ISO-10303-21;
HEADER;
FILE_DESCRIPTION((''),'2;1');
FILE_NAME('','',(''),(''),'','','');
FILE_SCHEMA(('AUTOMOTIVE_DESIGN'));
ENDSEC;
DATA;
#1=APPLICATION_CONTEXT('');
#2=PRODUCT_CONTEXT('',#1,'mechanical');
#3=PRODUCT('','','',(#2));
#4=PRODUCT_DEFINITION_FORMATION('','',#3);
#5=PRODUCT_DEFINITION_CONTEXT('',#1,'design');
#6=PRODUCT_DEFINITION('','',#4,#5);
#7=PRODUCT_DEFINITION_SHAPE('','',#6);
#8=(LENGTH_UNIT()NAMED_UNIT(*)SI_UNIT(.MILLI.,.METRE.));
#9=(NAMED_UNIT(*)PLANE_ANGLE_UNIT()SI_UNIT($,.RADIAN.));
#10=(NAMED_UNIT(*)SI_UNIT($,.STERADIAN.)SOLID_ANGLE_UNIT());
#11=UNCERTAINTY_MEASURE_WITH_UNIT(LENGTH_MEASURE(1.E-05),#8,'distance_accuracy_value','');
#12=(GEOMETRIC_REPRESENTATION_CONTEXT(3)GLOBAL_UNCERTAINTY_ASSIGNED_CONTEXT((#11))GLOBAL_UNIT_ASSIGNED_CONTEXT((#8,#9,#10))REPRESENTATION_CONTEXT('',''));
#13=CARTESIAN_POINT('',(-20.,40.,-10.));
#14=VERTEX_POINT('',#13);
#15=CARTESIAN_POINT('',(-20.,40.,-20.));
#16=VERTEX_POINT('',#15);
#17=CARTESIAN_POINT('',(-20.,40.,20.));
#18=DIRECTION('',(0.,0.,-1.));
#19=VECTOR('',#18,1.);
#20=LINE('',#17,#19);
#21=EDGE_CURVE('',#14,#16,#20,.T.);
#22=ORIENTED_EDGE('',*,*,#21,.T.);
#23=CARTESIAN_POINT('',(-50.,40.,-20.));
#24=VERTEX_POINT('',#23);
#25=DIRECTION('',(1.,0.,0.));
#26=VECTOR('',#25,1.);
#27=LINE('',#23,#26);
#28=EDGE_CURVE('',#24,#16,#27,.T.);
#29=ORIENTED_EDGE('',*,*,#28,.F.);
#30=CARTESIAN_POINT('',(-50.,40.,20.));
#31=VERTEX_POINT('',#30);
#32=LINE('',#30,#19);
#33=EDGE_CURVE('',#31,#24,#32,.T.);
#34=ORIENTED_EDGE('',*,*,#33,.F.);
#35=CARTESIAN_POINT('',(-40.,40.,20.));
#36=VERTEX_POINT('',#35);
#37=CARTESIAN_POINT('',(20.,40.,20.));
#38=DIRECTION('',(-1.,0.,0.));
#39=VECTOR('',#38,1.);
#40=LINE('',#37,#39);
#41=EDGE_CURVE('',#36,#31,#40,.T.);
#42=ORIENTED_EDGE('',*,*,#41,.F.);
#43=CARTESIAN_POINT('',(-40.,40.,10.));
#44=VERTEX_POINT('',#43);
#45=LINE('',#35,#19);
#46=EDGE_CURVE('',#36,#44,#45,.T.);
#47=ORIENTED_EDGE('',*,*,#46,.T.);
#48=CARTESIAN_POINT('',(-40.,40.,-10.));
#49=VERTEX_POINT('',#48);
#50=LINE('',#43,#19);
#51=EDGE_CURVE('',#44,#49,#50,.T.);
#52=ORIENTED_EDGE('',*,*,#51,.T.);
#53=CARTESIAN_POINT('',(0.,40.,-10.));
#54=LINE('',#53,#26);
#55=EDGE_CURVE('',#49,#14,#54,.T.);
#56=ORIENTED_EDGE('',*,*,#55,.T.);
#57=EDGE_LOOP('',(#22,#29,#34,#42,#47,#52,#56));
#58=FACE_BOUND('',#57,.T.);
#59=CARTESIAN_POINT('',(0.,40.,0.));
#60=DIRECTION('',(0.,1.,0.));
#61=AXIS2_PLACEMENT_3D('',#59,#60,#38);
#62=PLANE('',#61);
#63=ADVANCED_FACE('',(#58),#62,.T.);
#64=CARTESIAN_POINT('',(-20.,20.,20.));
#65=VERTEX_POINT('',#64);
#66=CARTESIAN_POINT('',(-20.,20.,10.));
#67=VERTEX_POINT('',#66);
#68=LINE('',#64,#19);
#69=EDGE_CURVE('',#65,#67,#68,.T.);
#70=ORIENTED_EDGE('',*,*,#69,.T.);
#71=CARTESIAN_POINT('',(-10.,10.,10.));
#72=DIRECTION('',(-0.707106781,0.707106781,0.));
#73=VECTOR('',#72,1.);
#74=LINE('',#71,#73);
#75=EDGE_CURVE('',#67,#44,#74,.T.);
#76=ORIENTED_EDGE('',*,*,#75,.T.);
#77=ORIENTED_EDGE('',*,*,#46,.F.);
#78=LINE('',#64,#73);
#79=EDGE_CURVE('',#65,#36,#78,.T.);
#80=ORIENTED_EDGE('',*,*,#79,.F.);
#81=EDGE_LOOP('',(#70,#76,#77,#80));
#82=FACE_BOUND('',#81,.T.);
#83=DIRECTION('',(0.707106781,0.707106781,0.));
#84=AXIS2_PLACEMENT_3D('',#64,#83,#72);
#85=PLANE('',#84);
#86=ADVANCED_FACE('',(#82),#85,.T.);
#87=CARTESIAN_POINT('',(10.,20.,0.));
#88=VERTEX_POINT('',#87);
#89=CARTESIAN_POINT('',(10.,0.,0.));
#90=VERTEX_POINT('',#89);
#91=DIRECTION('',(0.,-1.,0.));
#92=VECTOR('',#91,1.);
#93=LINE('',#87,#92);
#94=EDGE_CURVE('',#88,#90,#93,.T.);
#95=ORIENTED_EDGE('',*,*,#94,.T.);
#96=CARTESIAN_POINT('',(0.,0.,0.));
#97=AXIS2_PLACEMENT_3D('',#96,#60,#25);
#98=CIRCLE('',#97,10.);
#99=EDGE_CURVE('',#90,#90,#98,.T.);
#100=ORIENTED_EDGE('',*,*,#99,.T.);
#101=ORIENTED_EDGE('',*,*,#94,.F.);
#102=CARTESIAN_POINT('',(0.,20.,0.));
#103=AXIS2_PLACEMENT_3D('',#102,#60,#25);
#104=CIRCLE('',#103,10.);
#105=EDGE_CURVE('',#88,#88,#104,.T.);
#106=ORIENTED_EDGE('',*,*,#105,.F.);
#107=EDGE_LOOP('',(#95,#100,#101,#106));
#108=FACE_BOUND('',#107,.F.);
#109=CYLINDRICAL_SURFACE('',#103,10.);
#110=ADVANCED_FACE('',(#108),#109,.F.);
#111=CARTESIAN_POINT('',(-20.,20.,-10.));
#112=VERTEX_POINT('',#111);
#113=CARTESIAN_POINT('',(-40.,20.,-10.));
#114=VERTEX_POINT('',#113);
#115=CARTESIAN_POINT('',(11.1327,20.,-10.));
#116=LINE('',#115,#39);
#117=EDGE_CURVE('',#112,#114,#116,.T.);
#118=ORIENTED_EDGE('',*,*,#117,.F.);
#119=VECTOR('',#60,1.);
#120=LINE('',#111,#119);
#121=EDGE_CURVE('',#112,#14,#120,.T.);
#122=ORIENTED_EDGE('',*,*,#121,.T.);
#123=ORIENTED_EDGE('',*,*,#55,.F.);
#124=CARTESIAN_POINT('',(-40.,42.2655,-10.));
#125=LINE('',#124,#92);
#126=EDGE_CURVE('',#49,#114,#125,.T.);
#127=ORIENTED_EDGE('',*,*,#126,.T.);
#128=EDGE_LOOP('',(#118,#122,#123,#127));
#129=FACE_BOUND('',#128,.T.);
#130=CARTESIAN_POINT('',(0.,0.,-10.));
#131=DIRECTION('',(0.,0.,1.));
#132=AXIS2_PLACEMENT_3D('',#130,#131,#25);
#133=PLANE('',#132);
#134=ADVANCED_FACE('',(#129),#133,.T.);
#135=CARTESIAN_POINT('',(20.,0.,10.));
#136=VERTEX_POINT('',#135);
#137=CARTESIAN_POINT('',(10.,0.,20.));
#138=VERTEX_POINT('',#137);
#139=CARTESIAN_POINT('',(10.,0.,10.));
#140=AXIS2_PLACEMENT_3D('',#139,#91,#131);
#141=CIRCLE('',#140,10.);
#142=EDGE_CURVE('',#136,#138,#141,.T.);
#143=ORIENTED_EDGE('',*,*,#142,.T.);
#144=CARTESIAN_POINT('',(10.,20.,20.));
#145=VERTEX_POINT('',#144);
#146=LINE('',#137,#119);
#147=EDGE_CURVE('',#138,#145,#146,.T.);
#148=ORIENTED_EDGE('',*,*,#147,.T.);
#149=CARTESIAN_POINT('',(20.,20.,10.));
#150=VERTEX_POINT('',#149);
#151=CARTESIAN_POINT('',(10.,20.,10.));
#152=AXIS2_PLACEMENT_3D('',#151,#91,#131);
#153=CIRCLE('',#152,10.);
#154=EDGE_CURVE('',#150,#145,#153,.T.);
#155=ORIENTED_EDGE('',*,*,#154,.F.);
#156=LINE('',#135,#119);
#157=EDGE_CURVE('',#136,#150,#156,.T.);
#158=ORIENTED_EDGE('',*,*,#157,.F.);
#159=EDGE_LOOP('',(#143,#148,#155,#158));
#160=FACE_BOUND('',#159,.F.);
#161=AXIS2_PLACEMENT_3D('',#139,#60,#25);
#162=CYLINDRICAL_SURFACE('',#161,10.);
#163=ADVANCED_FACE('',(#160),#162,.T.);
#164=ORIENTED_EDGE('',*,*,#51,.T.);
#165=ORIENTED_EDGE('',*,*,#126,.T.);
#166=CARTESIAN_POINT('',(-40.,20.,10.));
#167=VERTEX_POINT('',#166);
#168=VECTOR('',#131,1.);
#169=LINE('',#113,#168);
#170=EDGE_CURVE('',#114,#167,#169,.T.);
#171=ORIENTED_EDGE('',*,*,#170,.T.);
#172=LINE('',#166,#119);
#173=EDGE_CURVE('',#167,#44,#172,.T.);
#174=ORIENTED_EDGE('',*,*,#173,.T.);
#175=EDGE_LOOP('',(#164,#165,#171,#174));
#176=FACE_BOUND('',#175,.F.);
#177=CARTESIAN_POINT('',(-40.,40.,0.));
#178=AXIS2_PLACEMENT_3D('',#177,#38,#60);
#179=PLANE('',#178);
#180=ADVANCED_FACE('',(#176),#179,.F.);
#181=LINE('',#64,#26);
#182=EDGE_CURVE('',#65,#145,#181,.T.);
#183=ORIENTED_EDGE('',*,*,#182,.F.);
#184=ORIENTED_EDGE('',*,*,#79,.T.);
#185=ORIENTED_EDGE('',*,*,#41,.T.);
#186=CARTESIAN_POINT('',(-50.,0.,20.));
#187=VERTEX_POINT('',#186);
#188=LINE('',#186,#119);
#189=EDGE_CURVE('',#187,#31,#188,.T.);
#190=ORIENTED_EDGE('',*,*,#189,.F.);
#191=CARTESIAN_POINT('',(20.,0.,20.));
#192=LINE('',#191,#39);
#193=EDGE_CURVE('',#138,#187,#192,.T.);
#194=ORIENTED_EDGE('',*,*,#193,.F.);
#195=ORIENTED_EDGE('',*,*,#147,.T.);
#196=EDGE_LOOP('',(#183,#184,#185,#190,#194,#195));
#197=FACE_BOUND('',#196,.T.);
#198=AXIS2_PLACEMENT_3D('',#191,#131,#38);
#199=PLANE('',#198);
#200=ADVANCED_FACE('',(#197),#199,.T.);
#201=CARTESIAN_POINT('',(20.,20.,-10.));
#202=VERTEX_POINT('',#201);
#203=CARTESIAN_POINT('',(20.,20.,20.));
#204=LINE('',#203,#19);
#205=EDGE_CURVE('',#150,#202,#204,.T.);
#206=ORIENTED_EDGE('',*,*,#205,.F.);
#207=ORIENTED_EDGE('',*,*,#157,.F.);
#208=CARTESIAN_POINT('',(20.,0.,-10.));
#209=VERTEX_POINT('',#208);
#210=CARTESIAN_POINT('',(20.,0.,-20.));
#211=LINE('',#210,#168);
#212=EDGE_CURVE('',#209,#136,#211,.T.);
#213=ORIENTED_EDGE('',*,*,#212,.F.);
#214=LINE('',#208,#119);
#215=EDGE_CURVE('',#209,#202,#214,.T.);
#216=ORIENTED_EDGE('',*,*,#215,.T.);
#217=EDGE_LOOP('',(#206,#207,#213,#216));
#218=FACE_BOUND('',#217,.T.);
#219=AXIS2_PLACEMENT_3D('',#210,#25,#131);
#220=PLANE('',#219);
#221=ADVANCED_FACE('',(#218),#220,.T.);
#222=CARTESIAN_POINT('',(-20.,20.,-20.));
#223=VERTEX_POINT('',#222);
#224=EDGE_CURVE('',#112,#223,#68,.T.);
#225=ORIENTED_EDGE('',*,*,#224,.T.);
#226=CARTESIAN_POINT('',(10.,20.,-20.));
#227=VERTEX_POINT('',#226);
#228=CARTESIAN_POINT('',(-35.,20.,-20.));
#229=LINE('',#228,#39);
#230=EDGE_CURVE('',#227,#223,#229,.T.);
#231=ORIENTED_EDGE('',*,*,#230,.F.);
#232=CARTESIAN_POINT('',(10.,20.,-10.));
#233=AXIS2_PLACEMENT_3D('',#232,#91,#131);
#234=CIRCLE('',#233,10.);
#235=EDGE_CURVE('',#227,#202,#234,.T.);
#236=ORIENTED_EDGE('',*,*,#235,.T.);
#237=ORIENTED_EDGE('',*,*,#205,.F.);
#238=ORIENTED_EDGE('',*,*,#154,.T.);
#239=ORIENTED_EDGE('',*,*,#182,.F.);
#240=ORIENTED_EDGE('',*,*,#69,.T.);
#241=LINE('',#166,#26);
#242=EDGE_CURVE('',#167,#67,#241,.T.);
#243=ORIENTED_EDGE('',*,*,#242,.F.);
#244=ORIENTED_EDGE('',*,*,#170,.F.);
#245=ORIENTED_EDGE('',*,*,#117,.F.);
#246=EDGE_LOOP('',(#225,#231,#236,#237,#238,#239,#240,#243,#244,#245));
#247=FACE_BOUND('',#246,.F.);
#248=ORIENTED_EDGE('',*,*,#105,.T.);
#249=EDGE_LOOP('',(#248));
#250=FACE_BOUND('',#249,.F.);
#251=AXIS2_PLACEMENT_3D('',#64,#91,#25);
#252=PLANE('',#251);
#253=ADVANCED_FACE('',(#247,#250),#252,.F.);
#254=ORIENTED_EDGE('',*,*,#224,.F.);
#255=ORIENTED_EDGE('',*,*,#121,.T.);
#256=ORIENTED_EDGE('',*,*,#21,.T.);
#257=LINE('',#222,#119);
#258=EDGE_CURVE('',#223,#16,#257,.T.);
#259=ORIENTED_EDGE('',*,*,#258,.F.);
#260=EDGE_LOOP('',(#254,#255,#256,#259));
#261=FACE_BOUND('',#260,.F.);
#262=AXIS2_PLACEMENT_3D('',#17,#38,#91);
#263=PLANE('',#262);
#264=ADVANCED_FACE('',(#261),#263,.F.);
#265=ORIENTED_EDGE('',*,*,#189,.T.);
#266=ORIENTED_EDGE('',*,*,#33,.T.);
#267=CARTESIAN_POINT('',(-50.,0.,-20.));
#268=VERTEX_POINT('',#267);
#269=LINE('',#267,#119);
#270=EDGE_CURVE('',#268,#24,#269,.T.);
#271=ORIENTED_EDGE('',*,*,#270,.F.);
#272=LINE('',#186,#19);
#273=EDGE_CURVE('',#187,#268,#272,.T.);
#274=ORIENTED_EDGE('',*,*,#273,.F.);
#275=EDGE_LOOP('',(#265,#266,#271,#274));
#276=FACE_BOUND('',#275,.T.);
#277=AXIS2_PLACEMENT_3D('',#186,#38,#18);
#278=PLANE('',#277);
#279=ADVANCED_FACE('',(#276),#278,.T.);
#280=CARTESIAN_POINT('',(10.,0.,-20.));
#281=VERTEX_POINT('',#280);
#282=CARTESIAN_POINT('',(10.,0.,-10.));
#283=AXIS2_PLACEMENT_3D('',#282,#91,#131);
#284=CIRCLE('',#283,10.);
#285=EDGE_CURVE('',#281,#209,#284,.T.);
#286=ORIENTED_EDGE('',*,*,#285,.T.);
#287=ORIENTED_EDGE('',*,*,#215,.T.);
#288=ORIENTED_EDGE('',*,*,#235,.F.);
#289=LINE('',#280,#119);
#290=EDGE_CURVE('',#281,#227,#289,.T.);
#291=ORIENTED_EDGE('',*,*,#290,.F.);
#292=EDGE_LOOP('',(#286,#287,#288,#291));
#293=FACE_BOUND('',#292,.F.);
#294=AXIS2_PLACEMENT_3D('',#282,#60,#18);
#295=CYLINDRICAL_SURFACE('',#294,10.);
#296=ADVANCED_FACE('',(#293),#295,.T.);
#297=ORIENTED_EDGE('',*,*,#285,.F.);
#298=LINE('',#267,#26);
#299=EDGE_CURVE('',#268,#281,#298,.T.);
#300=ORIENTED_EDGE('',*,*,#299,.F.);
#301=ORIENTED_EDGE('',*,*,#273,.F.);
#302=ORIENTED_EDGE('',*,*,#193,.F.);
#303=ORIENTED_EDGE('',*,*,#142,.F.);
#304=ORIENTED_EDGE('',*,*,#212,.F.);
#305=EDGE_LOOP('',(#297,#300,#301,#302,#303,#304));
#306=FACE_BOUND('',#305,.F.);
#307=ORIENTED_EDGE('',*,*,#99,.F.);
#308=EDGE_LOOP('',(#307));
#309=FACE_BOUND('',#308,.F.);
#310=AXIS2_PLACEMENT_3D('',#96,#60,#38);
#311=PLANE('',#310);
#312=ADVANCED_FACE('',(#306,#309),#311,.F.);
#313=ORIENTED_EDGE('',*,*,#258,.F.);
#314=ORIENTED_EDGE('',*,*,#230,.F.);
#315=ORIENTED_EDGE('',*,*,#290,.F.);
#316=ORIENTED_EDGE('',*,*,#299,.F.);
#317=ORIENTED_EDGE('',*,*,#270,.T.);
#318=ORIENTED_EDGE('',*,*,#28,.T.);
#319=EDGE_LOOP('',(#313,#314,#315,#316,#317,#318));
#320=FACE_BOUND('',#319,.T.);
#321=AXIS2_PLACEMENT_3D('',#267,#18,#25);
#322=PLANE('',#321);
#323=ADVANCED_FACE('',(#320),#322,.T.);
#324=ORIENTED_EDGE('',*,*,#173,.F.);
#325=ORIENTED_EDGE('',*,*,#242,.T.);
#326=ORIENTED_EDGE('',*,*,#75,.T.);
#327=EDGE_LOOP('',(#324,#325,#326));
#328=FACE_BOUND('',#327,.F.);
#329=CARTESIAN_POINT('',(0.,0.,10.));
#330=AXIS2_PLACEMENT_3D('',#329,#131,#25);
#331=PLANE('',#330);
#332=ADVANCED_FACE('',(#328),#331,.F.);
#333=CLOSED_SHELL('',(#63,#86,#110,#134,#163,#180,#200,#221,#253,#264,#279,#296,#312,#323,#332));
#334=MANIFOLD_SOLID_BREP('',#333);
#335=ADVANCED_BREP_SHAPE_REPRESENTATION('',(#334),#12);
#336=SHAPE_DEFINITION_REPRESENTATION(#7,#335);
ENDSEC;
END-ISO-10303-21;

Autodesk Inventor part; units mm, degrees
ref_plane "YZ Plane" through (0, 0, 0) normal (1, 0, 0) x (0, 1, 0)
ref_plane "XZ Plane" through (0, 0, 0) normal (0, 1, 0) x (-1, 0, 0)
ref_plane "XY Plane" through (0, 0, 0) normal (0, 0, 1) x (1, 0, 0)
sketch "草圖1" plane through (0, 0, 0) normal (0, 1, 0) x (-1, 0, 0)
  line L0 (50, -20) -> (-20, -20)
  line L1 (-20, -20) -> (-20, 20)
  line L2 (-20, 20) -> (50, 20)
  line L3 (50, 20) -> (50, -20)
  point P0 (0, 0)
  dimension "d0" = 20
  dimension "d1" = 40
  dimension "d2" = 20
  dimension "d3" = 70
extrude "擠出1" add sketch "草圖1" along normal blind 40
sketch "草圖2" plane through (-50, 0, 20) normal (0, 0, 1) x (1, 0, 0)
  line L0 (0, 0) -> (0, 40) projected
  line L1 (0, 40) -> (70, 40) projected
  line L2 (70, 40) -> (70, 0) projected
  line L3 (70, 0) -> (0, 0) projected
  line L4 (70, 0) -> (70, 40) projected
  line L5 (70, 40) -> (30, 40)
  line L6 (30, 40) -> (30, 20)
  line L7 (30, 20) -> (70, 20)
  line L8 (70, 20) -> (70, 40)
  point P0 (50, 0)
  point P1 (30, 40)
  dimension "d6" = 40
  dimension "d7" = 20
extrude "擠出2" cut sketch "草圖2" against normal through all contours L1 L2 L7 L6
sketch "草圖3" plane through (0, 0, 0) normal (0, 0, 1) x (1, 0, 0)
  line L0 (-20, 40) -> (-20, 20) projected
  line L1 (-20, 20) -> (20, 20) projected
  line L2 (20, 20) -> (20, 0) projected
  line L3 (20, 0) -> (-50, 0) projected
  line L4 (-50, 0) -> (-50, 40) projected
  line L5 (-50, 40) -> (-20, 40) projected
  line L6 (-40, 42.2655) -> (11.1327, 42.2655)
  line L7 (11.1327, 42.2655) -> (11.1327, 20)
  line L8 (11.1327, 20) -> (-40, 20)
  line L9 (-40, 20) -> (-40, 42.2655)
  point P0 (0, 0)
  point P1 (-20, 20)
  dimension "d10" = 10
extrude "擠出3" cut sketch "草圖3" along normal mid plane 20 contours L5 L9 L6 L7 L1 L0 | L0 L8 L9 L5
sketch "草圖4" plane through (-50, 0, 20) normal (0, 0, 1) x (1, 0, 0)
  line L0 (0, 40) -> (30, 40) projected
  line L1 (30, 40) -> (30, 20) projected
  line L2 (30, 20) -> (70, 20) projected
  line L3 (70, 20) -> (70, 0) projected
  line L4 (70, 0) -> (0, 0) projected
  line L5 (0, 0) -> (0, 40) projected
  line L6 (30, 20) -> (70, 20) projected
  line L7 (10, 40) -> (10, 20) projected
  line L8 (30, 20) -> (10, 40)
  point P0 (50, 0)
extrude "擠出4" cut sketch "草圖4" against normal blind 17.25 contours L0 L1 L8
sketch "草圖5" plane through (-20, 20, -20) normal (0, 1, 0) x (1, 0, 0)
  line L0 (-20, -10) -> (-20, -30) projected
  line L1 (-20, -30) -> (0, -30) projected
  line L2 (0, -30) -> (0, -40) projected
  line L3 (40, -40) -> (0, -40) projected
  line L4 (40, 0) -> (40, -40) projected
  line L5 (0, 0) -> (40, 0) projected
  line L6 (-30, 0) -> (0, 0) projected
  line L7 (-30, -40) -> (-30, 0) projected
  line L8 (0, -40) -> (-30, -40) projected
  line L9 (0, -10) -> (-20, -10) projected
  line L10 (0, 0) -> (0, -10) projected
  circle A0 centre (20, -20) radius 10
  dimension "d15" = 20
extrude "擠出5" cut sketch "草圖5" against normal through all contours A0
fillet "圓角1" radius 10 2 edges at (20, 10, 20) (20, 10, -20)
properties part number "2" material "鋼、碳鋼"
